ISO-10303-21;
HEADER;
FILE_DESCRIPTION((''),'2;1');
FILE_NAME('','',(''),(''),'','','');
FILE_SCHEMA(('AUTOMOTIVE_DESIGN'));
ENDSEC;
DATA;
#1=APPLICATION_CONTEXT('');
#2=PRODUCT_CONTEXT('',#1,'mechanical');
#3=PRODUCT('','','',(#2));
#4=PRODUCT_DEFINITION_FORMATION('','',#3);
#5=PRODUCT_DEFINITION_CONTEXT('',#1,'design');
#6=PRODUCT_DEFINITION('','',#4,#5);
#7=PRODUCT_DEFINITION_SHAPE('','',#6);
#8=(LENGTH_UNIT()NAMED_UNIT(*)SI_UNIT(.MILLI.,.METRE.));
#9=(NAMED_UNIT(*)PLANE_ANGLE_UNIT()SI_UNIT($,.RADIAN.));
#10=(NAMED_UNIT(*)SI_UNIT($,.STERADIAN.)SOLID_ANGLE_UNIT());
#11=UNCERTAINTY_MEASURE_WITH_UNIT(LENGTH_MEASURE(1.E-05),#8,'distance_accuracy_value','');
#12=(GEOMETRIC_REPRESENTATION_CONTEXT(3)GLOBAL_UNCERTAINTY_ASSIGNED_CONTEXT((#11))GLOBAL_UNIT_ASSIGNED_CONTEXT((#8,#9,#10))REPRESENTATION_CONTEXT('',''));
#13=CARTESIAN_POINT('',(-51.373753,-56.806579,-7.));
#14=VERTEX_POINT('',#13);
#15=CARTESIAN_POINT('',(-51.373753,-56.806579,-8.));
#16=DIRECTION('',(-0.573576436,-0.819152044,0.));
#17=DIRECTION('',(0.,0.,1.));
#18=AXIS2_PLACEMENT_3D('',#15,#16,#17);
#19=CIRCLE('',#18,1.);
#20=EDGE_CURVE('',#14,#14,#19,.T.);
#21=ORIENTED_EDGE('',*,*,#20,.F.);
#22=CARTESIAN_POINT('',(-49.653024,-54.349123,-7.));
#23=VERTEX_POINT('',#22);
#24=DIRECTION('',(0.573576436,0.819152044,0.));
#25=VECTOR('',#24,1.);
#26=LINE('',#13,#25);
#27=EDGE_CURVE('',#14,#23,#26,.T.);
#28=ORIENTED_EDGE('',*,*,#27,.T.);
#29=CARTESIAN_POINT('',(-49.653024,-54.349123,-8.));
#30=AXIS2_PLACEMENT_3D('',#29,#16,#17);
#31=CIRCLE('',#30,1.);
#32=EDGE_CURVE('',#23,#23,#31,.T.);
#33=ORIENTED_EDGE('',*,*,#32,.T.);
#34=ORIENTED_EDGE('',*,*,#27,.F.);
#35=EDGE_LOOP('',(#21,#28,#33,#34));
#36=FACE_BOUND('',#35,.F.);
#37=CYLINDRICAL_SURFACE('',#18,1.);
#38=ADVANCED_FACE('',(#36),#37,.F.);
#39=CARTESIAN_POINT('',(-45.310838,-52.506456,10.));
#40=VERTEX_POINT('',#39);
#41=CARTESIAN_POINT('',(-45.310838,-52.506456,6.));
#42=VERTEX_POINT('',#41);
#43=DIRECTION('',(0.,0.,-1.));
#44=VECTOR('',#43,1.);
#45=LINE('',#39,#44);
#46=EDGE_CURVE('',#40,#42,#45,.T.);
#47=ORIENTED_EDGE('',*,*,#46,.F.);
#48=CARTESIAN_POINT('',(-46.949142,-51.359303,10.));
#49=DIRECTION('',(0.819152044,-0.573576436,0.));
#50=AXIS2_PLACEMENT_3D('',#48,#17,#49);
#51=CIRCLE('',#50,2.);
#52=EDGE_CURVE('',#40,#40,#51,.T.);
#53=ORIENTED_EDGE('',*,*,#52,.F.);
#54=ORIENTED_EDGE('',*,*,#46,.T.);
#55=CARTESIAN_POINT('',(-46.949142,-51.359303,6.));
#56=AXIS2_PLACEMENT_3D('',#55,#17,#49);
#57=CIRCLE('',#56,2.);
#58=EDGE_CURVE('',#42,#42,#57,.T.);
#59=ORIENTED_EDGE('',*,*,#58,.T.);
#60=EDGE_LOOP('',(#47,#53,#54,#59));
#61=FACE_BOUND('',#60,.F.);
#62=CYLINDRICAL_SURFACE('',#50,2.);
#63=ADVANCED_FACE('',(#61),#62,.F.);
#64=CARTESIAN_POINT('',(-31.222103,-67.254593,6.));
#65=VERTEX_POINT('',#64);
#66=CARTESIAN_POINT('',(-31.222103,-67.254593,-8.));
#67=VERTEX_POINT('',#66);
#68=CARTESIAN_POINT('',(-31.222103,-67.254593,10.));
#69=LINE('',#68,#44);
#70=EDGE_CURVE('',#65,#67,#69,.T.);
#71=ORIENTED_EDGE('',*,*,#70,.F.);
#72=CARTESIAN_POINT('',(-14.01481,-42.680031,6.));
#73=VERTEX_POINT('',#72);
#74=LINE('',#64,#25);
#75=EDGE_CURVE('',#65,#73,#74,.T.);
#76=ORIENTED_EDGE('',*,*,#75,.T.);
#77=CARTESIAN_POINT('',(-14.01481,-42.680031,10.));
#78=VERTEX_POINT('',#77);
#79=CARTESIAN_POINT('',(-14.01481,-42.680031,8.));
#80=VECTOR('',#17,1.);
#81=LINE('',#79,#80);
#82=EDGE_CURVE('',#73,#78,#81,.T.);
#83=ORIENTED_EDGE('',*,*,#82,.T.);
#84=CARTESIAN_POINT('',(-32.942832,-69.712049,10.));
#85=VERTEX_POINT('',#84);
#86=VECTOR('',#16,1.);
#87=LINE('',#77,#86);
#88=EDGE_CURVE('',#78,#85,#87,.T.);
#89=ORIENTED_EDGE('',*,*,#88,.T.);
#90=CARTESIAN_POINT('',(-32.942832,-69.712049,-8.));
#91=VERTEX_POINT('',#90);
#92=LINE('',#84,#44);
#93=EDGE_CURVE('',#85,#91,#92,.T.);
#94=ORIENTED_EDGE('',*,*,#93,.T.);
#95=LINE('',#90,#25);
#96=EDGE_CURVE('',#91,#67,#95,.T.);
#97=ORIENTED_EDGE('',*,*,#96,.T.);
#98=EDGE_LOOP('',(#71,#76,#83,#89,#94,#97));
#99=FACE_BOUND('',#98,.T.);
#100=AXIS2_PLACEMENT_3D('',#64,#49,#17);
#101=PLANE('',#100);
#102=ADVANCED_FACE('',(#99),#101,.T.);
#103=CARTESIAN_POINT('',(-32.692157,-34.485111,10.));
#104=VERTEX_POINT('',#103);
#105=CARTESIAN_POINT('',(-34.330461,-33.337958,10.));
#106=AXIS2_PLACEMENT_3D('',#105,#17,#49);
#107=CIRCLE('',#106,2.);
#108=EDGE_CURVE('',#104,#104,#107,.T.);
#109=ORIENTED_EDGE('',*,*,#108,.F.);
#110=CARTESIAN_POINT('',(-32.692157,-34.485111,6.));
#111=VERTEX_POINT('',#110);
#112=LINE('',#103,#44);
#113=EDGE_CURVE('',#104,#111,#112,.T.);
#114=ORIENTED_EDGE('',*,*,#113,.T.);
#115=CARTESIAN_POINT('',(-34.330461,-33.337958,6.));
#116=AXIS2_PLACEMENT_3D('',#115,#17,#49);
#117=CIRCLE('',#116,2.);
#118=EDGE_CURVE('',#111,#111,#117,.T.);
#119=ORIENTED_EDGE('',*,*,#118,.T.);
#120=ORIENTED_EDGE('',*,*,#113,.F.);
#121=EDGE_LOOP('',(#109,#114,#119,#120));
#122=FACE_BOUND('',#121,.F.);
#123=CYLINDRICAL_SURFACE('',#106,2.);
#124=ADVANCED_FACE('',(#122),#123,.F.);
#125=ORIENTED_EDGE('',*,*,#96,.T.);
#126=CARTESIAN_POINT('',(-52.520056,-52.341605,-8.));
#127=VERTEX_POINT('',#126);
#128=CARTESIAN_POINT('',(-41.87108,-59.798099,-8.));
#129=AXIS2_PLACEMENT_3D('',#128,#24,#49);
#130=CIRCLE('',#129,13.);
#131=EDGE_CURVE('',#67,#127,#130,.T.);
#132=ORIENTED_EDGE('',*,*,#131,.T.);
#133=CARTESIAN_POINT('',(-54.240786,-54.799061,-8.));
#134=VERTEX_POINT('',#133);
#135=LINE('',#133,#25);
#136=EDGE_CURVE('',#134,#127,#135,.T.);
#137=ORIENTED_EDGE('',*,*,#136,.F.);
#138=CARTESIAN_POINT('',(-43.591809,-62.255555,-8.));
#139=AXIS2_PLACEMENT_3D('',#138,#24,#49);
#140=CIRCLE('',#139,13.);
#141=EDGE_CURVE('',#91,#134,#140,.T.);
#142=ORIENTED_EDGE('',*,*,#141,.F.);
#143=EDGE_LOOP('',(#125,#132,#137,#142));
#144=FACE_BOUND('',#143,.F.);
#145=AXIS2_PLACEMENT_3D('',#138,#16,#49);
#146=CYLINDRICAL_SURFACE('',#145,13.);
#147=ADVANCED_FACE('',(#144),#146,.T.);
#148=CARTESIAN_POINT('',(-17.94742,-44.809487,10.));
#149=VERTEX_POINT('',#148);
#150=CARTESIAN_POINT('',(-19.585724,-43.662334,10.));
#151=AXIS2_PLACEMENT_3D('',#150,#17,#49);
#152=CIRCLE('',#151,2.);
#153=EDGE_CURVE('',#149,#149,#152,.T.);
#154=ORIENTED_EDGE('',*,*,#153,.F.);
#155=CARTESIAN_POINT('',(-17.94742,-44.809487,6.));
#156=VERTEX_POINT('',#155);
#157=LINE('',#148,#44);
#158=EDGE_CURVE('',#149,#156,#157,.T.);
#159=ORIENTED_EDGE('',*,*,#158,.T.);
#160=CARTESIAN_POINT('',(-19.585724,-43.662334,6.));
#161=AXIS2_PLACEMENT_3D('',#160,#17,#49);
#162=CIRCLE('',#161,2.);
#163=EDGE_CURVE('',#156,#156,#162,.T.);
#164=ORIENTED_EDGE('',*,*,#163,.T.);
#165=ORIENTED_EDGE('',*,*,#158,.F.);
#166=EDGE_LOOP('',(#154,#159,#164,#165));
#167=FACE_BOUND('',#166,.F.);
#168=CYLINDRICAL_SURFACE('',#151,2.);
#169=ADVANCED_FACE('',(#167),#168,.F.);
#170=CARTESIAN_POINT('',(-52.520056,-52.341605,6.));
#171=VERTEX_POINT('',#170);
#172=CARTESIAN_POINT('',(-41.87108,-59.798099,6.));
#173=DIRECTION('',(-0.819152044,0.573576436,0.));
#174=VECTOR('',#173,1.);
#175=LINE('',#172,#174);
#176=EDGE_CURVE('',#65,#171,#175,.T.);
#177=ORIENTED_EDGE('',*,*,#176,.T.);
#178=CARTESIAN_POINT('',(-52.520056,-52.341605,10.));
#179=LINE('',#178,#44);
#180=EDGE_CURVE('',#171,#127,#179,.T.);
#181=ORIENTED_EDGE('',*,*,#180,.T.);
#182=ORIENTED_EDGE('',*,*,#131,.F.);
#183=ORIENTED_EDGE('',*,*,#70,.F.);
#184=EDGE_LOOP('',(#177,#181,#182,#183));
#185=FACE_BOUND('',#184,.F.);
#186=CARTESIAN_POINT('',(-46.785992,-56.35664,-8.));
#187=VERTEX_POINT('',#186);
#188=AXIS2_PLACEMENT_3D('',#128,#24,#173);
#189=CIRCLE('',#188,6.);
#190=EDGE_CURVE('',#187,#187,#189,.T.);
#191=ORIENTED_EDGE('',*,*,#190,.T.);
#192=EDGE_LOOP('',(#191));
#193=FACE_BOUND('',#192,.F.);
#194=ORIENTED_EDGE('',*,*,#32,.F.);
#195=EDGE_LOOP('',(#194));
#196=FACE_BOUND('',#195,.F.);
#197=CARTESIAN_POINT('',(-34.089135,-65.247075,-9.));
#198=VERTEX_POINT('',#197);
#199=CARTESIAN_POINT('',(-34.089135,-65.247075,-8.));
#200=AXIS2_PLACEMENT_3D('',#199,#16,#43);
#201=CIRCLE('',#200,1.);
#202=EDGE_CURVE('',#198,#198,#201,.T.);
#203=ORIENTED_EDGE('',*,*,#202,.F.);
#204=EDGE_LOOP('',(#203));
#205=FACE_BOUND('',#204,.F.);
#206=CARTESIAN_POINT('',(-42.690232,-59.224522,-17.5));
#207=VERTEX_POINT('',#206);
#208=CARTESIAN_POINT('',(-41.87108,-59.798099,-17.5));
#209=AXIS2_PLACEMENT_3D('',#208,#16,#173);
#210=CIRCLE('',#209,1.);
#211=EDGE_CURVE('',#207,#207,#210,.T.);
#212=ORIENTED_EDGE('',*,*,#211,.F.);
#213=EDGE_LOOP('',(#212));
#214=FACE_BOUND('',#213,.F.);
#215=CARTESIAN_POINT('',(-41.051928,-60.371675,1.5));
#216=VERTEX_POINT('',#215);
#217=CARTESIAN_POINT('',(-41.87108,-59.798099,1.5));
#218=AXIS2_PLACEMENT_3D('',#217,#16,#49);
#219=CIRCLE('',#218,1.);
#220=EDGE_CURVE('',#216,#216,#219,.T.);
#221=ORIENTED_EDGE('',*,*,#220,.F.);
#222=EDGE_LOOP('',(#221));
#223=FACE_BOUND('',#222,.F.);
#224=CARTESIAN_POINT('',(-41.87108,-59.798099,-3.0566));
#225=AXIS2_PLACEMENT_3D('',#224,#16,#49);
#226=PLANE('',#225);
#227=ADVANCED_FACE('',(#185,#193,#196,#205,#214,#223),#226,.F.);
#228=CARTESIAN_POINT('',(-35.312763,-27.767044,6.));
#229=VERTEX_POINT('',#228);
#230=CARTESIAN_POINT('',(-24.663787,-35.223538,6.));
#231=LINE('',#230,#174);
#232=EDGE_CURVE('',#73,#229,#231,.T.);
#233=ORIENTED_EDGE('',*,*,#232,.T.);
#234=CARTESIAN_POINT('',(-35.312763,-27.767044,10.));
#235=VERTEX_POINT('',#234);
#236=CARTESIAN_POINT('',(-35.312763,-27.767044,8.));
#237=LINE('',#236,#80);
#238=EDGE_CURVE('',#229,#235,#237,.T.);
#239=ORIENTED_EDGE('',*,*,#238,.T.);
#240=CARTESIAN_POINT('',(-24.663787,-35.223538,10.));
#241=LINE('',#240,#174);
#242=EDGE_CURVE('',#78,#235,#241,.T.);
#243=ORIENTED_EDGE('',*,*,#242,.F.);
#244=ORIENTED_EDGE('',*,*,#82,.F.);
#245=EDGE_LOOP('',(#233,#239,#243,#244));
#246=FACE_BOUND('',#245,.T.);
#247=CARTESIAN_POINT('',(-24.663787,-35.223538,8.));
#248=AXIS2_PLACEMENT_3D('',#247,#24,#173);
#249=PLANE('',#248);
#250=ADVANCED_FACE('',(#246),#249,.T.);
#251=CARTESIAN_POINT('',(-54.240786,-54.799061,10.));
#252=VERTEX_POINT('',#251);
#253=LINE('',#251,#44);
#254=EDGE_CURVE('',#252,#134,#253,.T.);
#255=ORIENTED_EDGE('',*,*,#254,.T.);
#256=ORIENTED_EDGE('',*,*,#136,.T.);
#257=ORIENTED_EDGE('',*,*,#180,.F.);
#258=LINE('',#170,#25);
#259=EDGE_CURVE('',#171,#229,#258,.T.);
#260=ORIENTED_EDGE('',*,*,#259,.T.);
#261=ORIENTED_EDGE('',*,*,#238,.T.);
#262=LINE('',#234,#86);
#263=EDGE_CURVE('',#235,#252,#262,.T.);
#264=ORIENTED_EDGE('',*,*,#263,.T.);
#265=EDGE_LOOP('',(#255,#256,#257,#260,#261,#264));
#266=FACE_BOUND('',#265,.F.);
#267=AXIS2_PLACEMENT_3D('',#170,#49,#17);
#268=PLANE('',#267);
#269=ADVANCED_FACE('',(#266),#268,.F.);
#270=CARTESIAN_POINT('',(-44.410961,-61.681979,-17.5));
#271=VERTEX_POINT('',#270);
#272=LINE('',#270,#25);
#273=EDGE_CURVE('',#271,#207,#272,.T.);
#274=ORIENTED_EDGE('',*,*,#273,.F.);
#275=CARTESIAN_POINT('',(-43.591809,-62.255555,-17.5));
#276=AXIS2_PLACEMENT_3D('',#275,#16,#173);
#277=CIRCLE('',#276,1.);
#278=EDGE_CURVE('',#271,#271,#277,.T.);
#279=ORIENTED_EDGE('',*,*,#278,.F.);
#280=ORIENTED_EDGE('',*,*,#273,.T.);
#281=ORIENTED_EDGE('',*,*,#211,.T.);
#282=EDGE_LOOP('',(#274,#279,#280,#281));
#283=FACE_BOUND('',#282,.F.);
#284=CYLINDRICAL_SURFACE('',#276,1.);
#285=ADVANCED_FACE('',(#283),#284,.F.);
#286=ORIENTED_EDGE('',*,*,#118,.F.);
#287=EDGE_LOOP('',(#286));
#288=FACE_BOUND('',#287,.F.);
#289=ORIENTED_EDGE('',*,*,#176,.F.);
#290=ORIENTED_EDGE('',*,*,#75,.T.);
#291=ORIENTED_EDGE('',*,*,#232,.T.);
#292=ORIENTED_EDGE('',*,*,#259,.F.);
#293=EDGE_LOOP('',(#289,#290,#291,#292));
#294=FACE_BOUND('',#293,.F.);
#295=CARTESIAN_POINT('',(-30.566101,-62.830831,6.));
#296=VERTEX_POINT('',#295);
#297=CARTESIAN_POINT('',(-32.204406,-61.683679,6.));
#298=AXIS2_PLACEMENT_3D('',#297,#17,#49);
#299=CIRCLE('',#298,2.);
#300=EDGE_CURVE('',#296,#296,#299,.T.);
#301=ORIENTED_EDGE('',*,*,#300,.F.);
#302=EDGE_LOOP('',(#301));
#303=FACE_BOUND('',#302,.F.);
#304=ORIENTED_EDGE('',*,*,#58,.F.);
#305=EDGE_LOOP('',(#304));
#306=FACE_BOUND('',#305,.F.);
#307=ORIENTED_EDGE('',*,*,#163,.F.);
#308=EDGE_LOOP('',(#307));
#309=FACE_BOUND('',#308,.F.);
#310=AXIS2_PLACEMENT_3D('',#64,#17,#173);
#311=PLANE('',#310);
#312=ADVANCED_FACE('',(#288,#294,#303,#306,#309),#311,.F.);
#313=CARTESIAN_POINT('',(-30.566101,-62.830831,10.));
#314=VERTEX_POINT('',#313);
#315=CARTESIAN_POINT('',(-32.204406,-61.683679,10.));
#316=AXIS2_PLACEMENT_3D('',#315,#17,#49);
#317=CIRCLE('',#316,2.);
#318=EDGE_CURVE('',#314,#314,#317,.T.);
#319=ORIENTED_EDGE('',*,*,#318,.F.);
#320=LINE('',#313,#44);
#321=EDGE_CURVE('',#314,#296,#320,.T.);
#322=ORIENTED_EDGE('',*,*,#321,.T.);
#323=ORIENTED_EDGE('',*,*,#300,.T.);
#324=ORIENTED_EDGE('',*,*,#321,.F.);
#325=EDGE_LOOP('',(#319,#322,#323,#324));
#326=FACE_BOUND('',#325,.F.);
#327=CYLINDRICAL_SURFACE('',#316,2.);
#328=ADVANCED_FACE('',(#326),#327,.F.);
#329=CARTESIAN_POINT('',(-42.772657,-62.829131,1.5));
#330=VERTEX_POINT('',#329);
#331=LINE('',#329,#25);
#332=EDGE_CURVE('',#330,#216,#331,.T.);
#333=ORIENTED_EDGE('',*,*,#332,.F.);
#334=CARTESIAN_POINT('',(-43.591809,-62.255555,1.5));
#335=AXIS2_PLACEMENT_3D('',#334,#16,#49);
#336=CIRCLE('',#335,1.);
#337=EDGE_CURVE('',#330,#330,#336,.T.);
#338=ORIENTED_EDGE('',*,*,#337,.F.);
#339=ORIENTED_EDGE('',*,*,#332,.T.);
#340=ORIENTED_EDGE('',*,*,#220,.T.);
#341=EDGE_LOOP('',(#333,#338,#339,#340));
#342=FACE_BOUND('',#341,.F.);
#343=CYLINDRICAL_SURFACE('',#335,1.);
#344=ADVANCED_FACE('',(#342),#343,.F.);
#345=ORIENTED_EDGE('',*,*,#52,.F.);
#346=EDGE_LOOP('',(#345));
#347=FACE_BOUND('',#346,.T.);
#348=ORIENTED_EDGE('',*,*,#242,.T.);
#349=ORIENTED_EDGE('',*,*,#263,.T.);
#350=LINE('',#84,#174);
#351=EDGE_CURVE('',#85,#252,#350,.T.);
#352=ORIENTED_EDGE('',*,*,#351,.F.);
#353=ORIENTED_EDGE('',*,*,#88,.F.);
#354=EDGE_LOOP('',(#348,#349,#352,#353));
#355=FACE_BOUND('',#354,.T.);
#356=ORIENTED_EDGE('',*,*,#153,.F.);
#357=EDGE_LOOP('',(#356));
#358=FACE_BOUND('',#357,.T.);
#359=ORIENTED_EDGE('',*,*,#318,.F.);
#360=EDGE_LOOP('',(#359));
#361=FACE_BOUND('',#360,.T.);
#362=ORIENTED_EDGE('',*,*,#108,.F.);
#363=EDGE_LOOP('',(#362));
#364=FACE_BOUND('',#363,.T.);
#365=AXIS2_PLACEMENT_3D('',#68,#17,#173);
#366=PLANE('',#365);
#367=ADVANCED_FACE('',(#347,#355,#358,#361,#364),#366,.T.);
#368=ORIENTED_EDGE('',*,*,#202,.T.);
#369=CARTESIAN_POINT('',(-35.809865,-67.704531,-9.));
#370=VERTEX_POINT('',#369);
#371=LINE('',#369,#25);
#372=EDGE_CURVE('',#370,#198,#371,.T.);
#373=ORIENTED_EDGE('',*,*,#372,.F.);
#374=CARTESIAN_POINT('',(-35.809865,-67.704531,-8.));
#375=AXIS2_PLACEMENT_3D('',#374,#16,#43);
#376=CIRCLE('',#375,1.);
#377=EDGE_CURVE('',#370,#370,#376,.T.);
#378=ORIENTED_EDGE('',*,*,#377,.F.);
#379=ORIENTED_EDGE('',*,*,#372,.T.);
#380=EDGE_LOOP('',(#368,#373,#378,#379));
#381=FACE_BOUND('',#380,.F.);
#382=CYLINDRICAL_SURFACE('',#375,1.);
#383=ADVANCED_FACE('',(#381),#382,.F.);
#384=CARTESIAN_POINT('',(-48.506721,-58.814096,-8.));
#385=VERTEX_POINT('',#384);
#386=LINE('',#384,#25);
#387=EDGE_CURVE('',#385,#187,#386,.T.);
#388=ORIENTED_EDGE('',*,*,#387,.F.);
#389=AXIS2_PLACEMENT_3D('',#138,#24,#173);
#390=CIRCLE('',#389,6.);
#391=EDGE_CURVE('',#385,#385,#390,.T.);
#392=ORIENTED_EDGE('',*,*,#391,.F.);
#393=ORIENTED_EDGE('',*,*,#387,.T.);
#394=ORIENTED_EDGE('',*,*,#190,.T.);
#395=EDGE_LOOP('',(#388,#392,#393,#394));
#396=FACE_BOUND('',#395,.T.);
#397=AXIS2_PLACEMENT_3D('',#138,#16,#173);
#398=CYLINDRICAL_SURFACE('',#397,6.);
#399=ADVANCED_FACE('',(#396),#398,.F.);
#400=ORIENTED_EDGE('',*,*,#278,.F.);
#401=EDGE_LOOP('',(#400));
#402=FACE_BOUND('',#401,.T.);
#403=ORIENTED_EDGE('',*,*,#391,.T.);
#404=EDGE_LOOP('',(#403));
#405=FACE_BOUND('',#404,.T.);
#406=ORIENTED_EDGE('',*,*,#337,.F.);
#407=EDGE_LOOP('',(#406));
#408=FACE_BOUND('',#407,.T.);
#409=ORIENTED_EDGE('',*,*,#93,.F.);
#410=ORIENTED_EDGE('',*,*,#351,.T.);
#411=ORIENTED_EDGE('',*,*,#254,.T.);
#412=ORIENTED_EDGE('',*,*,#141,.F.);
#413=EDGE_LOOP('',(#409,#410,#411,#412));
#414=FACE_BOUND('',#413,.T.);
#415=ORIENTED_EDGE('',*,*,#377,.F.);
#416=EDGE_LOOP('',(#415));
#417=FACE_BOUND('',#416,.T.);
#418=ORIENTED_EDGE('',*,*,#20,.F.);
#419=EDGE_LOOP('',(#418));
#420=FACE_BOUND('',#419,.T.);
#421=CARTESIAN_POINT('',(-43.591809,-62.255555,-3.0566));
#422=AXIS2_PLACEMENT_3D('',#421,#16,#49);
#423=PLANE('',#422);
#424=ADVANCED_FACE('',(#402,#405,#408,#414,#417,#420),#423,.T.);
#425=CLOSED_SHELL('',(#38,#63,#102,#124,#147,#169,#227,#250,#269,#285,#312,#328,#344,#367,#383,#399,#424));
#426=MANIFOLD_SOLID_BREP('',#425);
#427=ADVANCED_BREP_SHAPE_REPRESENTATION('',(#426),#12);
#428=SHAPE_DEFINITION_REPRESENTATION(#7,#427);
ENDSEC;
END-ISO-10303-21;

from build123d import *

# Parameters (mm, degrees)
SKETCH096_R             = 6
PAD068_DEPTH            = 3
SKETCH097_W             = 26
SKETCH097_H             = 4
PAD069_DEPTH            = 30
SKETCH098_R             = 2
POCKET036_DEPTH         = 31.001
SKETCH099_R             = 1
POCKET037_DEPTH         = 137.42322
POLARPATTERN015_COUNT   = 4
BODY041_PLACEMENT_ANGLE = 145


with BuildPart() as part:
    # Sketch096 → Pad068 (new body)
    with BuildSketch(Plane.XZ):
        with BuildLine():
            Line((-13, 18), (13, 18))
            Line((13, 18), (13, 0))
            ThreePointArc((-13, 0), (0, -13), (13, 0))
            Line((-13, 18), (-13, 0))
        make_face()
        Circle(SKETCH096_R, mode=Mode.SUBTRACT)
    extrude(amount=PAD068_DEPTH)

    # Sketch097 (on Face7 of Pad068) → Pad069 (join)
    with BuildSketch(Plane.XZ.offset(3)):
        with Locations((0, 16)):
            Rectangle(SKETCH097_W, SKETCH097_H)
    extrude(amount=PAD069_DEPTH)

    # Sketch098 (on Face5 of Pad069) → Pocket036 (cut, through all)
    with BuildSketch(Plane(origin=(0, 0, 18), x_dir=(-1, 0, 0), z_dir=(0, 0, 1))):
        with Locations((-9, 7)):
            Circle(SKETCH098_R)
        with Locations((9, 7)):
            Circle(SKETCH098_R)
        with Locations((-9, 29)):
            Circle(SKETCH098_R)
        with Locations((9, 29)):
            Circle(SKETCH098_R)
    extrude(amount=-POCKET036_DEPTH, mode=Mode.SUBTRACT)

    # Sketch099 (on Face4 of Pocket036) → Pocket037 (cut, through all)
    with BuildSketch(Plane(origin=(0, 0, 0), x_dir=(1, 0, 0), z_dir=(0, 1, 0))):
        with Locations((0, 9.5)):
            Circle(SKETCH099_R)
    pocket037 = extrude(amount=-POCKET037_DEPTH, mode=Mode.SUBTRACT)

    # PolarPattern015: Pocket037 ×4 about axis
    polarpattern015_axis = Axis((0, 0, 0), (0, 1, 0))
    for i in range(1, POLARPATTERN015_COUNT):
        add(pocket037.rotate(polarpattern015_axis, i * 360 / POLARPATTERN015_COUNT), mode=Mode.SUBTRACT)


with BuildPart() as part_1:
    # Body041 placement: moved
    add(part.part.moved(Location((-43.591809, -62.255555, -8))).rotate(Axis((-43.591809, -62.255555, -8), (0, 0, 1)), BODY041_PLACEMENT_ANGLE))


solid = part_1.part
